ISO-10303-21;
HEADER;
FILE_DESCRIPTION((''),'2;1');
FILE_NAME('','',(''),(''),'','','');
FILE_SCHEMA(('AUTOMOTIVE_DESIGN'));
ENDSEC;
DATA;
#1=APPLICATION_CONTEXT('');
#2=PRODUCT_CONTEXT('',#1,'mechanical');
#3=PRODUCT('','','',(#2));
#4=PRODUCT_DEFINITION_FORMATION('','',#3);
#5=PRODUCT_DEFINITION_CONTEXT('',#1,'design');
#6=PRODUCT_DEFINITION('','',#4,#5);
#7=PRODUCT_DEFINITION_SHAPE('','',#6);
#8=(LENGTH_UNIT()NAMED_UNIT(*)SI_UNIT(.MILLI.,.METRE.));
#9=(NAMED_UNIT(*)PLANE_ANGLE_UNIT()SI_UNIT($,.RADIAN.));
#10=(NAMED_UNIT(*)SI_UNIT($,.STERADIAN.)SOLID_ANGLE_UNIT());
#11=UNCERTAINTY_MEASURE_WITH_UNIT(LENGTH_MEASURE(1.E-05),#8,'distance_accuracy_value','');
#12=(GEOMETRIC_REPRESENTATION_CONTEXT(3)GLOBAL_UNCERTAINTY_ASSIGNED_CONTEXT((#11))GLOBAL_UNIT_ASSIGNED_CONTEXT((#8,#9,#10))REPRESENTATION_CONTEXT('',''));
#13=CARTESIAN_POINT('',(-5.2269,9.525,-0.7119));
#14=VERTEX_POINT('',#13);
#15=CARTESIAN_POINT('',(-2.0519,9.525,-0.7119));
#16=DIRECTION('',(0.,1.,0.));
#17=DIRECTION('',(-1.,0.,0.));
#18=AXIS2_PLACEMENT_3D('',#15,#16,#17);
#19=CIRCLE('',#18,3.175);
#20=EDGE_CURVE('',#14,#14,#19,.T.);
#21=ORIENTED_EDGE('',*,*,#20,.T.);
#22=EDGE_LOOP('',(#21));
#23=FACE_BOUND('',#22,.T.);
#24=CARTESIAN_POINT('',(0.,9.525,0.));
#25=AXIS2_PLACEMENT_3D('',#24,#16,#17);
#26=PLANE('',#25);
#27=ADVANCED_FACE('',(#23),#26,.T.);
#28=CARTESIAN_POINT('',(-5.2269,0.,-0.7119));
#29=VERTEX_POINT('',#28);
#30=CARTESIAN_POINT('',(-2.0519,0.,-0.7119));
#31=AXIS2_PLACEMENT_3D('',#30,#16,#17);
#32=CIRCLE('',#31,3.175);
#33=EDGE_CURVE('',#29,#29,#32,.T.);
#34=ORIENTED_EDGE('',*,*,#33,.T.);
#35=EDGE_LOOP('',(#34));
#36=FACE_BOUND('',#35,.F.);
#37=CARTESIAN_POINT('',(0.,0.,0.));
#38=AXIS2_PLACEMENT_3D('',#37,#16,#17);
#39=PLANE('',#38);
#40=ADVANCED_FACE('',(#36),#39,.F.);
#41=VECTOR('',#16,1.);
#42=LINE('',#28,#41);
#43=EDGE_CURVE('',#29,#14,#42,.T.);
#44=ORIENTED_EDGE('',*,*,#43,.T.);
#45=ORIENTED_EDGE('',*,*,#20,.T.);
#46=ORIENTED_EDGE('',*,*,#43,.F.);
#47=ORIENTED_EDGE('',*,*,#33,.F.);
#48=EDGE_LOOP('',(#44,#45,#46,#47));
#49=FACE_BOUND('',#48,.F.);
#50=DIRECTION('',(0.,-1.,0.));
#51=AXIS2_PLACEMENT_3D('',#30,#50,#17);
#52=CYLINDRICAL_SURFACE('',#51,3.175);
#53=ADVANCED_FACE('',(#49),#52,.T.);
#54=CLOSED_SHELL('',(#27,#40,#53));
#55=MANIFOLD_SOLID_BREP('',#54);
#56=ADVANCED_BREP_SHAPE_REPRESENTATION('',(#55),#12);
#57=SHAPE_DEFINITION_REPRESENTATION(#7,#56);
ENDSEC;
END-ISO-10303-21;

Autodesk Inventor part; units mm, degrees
ref_plane "YZ Plane" through (0, 0, 0) normal (1, 0, 0) x (0, 1, 0)
ref_plane "XZ Plane" through (0, 0, 0) normal (0, 1, 0) x (-1, 0, 0)
ref_plane "XY Plane" through (0, 0, 0) normal (0, 0, 1) x (1, 0, 0)
sketch "Sketch1" plane through (0, 0, 0) normal (0, 1, 0) x (-1, 0, 0)
  circle A0 centre (2.0519, -0.7119) radius 3.175
  point P0 (0, 0)
  dimension "d1" = 6.35
extrude "Extrusion1" add sketch "Sketch1" along normal blind 9.525
properties part number "Spacer"
